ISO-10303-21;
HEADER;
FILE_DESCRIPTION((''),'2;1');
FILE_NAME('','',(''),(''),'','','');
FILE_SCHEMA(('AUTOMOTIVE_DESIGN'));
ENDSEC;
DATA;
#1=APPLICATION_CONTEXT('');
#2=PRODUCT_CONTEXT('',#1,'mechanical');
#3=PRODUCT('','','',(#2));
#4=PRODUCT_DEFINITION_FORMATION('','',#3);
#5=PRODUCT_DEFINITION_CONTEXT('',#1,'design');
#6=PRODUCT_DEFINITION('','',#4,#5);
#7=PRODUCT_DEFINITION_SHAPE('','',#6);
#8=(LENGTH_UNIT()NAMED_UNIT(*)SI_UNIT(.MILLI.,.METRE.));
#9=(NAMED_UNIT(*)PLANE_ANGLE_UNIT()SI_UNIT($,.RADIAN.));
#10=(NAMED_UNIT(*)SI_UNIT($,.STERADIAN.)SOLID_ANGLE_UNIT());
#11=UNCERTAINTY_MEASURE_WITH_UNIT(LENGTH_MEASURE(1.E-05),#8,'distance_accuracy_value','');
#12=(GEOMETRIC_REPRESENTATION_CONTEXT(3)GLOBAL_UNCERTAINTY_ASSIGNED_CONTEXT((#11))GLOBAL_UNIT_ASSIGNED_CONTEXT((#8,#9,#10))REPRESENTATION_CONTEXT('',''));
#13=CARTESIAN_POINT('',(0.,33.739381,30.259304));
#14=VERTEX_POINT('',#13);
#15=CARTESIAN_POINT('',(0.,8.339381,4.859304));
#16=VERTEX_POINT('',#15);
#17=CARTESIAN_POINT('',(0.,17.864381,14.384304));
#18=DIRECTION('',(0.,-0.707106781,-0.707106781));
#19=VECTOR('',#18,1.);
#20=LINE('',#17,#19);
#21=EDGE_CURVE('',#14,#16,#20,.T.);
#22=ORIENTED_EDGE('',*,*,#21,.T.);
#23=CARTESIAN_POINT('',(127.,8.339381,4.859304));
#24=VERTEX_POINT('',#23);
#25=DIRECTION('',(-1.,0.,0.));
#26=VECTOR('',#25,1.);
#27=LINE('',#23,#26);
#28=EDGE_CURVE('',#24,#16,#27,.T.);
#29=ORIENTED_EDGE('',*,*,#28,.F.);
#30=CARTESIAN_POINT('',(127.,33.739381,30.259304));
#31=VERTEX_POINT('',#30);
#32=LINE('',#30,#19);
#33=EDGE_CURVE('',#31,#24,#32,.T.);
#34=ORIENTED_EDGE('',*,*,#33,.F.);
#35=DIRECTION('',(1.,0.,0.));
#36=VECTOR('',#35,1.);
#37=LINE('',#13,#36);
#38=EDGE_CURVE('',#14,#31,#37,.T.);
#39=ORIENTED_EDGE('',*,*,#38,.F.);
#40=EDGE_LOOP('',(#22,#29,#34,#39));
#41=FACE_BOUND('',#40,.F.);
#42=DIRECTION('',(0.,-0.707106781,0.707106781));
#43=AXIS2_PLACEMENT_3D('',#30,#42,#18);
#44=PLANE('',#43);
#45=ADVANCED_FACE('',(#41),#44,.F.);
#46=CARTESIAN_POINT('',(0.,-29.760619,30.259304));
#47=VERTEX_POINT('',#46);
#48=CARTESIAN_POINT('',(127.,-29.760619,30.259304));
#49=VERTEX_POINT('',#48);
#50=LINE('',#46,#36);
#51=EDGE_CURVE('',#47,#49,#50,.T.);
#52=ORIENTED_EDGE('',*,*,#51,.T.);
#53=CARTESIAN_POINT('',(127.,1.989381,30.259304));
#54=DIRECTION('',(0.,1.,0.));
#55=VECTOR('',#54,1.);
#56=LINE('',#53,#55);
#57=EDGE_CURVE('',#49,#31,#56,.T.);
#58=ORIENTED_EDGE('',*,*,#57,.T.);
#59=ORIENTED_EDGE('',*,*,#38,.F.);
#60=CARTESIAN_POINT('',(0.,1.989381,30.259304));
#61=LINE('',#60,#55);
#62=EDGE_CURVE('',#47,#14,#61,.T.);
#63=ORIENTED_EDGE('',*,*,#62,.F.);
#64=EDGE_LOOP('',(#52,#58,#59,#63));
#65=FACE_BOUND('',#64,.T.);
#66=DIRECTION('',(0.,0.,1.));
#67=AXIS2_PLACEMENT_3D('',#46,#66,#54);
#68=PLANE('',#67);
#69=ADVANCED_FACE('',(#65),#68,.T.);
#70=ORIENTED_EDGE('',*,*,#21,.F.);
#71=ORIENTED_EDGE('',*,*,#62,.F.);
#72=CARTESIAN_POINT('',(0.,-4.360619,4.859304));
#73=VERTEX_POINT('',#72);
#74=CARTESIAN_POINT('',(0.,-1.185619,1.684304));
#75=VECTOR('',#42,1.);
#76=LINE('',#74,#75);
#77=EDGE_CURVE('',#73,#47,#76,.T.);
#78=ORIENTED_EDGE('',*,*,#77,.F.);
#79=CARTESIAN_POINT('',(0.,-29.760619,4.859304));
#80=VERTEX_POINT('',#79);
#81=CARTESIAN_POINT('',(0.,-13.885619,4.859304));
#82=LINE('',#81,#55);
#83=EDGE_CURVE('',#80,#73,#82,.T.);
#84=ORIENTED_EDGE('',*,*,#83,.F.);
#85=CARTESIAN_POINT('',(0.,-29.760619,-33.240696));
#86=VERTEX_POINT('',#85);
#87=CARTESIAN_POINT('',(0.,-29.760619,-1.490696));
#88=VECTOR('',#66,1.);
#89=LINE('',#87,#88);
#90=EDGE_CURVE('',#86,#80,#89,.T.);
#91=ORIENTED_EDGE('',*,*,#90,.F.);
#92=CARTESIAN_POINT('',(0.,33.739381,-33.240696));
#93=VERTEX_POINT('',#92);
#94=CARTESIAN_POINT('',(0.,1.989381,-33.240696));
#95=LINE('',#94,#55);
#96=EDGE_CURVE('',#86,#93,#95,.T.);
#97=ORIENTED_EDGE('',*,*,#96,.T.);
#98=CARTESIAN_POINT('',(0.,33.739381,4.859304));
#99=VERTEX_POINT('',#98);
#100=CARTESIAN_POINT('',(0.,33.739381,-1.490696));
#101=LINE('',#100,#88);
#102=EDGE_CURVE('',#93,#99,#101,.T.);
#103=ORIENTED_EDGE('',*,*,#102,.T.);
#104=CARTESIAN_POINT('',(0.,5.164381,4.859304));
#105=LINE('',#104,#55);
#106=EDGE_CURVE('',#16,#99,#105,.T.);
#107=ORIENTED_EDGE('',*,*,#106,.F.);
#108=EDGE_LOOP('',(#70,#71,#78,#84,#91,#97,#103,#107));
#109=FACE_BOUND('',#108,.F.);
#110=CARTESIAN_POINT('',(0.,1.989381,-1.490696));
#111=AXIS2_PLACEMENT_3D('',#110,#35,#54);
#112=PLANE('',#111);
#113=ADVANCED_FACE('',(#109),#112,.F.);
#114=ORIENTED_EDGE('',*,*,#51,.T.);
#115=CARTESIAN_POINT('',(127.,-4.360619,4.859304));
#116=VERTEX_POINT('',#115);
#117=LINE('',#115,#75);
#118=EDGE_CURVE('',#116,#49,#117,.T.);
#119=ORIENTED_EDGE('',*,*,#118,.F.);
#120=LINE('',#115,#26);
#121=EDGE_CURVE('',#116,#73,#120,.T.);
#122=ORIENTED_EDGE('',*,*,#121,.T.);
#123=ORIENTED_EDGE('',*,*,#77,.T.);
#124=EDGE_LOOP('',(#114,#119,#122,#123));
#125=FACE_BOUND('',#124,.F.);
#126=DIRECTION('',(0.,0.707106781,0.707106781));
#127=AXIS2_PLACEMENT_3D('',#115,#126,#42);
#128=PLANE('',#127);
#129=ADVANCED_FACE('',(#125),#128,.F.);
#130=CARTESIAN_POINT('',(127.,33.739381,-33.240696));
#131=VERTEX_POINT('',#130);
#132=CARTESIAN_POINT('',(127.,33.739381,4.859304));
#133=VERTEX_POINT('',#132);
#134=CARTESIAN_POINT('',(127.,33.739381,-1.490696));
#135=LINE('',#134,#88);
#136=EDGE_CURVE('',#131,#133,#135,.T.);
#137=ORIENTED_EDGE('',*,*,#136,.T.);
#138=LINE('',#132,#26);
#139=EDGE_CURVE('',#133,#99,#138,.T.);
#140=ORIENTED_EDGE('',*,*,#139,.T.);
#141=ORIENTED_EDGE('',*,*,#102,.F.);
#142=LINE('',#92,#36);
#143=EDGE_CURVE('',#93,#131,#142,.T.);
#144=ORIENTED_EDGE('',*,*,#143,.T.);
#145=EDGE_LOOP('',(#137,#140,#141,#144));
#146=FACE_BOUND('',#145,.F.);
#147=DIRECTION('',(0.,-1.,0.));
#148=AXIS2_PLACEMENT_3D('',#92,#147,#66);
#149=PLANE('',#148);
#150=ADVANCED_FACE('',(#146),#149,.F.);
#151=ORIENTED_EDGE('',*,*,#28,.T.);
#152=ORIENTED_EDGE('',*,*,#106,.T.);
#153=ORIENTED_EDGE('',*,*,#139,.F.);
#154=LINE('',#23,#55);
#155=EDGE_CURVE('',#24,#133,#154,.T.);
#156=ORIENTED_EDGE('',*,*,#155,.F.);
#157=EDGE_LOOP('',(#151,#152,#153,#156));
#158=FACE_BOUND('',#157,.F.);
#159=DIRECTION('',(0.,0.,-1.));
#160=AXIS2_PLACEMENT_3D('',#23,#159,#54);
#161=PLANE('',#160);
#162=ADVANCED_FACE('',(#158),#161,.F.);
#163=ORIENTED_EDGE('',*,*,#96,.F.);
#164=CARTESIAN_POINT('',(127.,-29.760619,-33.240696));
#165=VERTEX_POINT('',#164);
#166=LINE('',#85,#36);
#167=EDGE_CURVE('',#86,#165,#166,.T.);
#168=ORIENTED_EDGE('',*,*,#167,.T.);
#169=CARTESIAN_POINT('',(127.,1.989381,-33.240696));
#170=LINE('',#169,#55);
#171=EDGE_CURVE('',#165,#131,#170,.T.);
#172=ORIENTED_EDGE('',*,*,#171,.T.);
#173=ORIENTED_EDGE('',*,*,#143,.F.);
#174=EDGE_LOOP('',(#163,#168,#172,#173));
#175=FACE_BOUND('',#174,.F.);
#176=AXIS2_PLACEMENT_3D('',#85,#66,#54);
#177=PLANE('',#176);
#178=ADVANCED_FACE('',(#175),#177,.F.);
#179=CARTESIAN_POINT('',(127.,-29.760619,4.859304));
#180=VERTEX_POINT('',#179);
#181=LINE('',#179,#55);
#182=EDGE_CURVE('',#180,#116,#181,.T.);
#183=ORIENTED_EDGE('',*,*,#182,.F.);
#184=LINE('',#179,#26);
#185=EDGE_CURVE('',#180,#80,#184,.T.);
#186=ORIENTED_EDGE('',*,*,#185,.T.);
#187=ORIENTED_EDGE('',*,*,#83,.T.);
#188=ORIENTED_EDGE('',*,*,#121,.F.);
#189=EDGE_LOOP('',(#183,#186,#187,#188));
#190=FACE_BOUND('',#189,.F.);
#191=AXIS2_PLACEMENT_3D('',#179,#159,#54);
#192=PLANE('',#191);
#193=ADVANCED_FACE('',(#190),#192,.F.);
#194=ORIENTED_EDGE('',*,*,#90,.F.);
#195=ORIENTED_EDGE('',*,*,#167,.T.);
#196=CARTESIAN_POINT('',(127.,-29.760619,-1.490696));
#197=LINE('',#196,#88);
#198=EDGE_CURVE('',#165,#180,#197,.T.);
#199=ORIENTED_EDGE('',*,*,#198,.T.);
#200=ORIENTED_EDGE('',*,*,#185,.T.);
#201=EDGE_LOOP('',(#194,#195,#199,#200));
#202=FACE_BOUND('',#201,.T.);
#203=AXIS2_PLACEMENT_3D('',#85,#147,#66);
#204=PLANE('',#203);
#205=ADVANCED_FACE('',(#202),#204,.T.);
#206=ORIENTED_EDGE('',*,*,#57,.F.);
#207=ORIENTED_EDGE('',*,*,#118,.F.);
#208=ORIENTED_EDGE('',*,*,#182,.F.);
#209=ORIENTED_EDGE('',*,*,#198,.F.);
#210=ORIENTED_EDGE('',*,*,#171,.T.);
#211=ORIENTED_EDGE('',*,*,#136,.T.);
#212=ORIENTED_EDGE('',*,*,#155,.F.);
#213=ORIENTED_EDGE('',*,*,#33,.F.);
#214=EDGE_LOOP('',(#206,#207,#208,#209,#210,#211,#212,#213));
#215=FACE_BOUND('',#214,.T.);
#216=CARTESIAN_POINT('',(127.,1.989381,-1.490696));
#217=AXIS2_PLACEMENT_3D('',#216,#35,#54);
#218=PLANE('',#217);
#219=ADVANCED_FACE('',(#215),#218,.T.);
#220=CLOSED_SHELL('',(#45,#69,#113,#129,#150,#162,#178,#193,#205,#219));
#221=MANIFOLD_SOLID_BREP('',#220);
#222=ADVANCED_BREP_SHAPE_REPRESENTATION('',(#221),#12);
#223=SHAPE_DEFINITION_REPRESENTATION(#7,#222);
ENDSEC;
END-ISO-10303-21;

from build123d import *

# Parameters (mm, degrees)
F0_W     = 63.5
F0_H     = 63.5
F1_DEPTH = 127
F3_DEPTH = 127.001


with BuildPart() as f1:
    # F0 (on Right) → F1 (new body)
    with BuildSketch(Plane.YZ):
        with Locations((1.989381, -1.490696)):
            Rectangle(F0_W, F0_H)
    extrude(amount=F1_DEPTH)

    # F2 (on face) → F3 (cut, through all)
    with BuildSketch(Plane.YZ.offset(127)):
        Polygon((-29.760619, 30.259304), (-29.760619, 4.859304), (-4.360619, 4.859304), align=None)
        Polygon((33.739381, 4.859304), (33.739381, 30.259304), (8.339381, 4.859304), align=None)
    extrude(amount=-F3_DEPTH, mode=Mode.SUBTRACT)


solid = f1.part
